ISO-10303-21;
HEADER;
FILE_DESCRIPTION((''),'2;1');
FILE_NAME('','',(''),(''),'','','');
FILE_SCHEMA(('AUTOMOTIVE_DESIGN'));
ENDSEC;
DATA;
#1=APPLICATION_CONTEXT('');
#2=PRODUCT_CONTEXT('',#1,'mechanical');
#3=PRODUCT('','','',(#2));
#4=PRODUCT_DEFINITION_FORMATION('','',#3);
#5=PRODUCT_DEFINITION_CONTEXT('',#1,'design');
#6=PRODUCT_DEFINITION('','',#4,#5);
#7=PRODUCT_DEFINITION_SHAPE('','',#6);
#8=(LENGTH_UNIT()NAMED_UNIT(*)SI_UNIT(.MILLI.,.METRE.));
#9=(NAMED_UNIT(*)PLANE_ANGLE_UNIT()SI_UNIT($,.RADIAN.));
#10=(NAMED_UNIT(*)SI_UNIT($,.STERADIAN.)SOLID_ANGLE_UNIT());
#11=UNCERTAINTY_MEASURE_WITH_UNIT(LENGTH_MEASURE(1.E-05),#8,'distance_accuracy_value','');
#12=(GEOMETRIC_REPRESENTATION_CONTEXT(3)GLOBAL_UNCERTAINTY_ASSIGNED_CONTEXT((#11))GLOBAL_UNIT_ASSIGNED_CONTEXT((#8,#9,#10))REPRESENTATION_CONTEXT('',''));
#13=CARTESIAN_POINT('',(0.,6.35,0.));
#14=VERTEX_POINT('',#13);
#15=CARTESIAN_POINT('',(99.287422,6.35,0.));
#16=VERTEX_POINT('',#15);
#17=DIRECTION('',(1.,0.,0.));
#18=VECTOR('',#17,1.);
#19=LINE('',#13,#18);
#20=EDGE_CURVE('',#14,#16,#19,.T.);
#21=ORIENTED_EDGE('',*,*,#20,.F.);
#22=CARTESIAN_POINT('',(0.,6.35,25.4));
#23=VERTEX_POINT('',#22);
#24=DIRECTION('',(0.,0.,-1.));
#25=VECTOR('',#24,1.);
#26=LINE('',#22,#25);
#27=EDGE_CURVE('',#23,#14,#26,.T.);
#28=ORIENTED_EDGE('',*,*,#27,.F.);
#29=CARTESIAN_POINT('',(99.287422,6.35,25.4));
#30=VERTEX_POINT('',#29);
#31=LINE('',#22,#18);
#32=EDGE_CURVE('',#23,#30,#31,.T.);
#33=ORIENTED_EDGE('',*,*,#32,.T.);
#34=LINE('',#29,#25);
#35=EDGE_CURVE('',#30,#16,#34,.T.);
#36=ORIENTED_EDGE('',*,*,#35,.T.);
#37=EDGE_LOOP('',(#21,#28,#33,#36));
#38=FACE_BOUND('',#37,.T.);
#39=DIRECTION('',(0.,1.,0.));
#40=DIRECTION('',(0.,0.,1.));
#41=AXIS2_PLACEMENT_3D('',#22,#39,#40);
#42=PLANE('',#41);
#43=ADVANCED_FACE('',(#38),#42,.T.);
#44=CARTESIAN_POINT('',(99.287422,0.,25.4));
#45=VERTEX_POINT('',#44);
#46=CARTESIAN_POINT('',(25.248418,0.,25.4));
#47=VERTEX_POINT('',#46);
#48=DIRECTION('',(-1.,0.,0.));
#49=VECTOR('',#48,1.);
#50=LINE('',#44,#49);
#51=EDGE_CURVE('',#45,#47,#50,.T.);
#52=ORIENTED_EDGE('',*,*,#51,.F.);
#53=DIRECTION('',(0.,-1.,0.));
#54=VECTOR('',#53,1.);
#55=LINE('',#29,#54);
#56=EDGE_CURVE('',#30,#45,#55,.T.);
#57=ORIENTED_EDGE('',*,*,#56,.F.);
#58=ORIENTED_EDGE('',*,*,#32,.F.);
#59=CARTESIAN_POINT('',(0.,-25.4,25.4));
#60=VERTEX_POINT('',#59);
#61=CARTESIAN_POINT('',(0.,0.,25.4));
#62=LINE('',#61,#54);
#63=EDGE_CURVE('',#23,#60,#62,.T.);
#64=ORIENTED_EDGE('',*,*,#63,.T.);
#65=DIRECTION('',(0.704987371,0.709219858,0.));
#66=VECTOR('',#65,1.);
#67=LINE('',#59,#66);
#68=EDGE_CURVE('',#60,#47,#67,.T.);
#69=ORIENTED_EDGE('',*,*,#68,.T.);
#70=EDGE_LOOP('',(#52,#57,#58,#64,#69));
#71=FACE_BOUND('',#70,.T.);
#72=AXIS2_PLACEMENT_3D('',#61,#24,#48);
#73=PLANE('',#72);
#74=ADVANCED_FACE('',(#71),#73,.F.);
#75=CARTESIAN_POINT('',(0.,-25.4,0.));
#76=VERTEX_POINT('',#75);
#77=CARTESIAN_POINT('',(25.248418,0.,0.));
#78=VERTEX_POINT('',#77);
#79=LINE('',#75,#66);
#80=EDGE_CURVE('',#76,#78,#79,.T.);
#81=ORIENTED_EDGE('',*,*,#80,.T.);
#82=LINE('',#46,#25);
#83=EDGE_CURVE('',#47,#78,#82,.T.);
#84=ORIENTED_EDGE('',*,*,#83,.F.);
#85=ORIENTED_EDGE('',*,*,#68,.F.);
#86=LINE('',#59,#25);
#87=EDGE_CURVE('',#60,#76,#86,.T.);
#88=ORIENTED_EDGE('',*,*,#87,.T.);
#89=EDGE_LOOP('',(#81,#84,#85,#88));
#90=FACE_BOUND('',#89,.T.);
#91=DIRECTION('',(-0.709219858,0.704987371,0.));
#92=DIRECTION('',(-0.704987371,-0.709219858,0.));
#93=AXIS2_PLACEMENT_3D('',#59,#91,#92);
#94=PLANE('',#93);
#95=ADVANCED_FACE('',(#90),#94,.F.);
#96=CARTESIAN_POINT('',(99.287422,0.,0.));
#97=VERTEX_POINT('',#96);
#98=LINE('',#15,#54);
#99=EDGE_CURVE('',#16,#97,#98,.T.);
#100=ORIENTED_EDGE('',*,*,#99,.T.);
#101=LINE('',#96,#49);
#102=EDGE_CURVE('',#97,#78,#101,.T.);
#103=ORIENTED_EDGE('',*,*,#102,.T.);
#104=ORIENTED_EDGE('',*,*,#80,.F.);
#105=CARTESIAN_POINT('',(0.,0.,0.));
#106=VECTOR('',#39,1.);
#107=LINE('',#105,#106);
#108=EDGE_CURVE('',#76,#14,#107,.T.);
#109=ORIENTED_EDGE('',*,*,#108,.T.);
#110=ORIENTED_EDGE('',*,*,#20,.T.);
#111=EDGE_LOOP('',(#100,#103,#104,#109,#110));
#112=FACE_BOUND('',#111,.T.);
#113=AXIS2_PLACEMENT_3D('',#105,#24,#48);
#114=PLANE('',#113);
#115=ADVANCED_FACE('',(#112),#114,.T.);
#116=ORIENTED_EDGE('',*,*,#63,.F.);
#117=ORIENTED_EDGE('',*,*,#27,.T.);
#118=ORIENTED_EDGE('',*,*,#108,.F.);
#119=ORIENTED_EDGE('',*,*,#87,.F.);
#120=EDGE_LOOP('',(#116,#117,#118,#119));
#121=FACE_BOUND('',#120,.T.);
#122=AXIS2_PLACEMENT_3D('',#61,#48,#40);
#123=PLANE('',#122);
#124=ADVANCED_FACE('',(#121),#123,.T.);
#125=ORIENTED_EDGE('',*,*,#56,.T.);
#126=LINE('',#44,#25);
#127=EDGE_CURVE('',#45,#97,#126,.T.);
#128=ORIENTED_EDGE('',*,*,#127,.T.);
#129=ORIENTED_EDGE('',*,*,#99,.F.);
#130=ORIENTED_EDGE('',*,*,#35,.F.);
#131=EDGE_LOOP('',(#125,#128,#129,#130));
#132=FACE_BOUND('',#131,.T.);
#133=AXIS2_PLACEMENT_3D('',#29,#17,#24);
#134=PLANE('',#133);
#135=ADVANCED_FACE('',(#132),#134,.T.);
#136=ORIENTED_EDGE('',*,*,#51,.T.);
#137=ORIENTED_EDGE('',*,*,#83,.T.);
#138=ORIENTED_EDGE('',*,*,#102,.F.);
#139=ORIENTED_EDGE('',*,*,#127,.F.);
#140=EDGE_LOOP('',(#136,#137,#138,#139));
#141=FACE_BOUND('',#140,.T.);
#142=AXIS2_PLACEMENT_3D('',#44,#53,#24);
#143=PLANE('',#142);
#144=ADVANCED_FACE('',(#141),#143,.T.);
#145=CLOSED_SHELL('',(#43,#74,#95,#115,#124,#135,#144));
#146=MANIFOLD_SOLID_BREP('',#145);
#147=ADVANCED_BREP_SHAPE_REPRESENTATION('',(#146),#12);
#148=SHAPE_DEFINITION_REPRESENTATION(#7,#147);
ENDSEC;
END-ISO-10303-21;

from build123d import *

# Parameters (mm, degrees)
BOSS_EXTRUDE1_DEPTH = 25.4


with BuildPart() as part:
    # Sketch1 → Boss-Extrude1 (new body)
    with BuildSketch(Plane.XY):
        Polygon((0, 0), (0, -25.4), (25.248417693, 0), (99.2874222, 0), (99.2874222, 6.35), (0, 6.35), align=None)
    extrude(amount=BOSS_EXTRUDE1_DEPTH)


solid = part.part
